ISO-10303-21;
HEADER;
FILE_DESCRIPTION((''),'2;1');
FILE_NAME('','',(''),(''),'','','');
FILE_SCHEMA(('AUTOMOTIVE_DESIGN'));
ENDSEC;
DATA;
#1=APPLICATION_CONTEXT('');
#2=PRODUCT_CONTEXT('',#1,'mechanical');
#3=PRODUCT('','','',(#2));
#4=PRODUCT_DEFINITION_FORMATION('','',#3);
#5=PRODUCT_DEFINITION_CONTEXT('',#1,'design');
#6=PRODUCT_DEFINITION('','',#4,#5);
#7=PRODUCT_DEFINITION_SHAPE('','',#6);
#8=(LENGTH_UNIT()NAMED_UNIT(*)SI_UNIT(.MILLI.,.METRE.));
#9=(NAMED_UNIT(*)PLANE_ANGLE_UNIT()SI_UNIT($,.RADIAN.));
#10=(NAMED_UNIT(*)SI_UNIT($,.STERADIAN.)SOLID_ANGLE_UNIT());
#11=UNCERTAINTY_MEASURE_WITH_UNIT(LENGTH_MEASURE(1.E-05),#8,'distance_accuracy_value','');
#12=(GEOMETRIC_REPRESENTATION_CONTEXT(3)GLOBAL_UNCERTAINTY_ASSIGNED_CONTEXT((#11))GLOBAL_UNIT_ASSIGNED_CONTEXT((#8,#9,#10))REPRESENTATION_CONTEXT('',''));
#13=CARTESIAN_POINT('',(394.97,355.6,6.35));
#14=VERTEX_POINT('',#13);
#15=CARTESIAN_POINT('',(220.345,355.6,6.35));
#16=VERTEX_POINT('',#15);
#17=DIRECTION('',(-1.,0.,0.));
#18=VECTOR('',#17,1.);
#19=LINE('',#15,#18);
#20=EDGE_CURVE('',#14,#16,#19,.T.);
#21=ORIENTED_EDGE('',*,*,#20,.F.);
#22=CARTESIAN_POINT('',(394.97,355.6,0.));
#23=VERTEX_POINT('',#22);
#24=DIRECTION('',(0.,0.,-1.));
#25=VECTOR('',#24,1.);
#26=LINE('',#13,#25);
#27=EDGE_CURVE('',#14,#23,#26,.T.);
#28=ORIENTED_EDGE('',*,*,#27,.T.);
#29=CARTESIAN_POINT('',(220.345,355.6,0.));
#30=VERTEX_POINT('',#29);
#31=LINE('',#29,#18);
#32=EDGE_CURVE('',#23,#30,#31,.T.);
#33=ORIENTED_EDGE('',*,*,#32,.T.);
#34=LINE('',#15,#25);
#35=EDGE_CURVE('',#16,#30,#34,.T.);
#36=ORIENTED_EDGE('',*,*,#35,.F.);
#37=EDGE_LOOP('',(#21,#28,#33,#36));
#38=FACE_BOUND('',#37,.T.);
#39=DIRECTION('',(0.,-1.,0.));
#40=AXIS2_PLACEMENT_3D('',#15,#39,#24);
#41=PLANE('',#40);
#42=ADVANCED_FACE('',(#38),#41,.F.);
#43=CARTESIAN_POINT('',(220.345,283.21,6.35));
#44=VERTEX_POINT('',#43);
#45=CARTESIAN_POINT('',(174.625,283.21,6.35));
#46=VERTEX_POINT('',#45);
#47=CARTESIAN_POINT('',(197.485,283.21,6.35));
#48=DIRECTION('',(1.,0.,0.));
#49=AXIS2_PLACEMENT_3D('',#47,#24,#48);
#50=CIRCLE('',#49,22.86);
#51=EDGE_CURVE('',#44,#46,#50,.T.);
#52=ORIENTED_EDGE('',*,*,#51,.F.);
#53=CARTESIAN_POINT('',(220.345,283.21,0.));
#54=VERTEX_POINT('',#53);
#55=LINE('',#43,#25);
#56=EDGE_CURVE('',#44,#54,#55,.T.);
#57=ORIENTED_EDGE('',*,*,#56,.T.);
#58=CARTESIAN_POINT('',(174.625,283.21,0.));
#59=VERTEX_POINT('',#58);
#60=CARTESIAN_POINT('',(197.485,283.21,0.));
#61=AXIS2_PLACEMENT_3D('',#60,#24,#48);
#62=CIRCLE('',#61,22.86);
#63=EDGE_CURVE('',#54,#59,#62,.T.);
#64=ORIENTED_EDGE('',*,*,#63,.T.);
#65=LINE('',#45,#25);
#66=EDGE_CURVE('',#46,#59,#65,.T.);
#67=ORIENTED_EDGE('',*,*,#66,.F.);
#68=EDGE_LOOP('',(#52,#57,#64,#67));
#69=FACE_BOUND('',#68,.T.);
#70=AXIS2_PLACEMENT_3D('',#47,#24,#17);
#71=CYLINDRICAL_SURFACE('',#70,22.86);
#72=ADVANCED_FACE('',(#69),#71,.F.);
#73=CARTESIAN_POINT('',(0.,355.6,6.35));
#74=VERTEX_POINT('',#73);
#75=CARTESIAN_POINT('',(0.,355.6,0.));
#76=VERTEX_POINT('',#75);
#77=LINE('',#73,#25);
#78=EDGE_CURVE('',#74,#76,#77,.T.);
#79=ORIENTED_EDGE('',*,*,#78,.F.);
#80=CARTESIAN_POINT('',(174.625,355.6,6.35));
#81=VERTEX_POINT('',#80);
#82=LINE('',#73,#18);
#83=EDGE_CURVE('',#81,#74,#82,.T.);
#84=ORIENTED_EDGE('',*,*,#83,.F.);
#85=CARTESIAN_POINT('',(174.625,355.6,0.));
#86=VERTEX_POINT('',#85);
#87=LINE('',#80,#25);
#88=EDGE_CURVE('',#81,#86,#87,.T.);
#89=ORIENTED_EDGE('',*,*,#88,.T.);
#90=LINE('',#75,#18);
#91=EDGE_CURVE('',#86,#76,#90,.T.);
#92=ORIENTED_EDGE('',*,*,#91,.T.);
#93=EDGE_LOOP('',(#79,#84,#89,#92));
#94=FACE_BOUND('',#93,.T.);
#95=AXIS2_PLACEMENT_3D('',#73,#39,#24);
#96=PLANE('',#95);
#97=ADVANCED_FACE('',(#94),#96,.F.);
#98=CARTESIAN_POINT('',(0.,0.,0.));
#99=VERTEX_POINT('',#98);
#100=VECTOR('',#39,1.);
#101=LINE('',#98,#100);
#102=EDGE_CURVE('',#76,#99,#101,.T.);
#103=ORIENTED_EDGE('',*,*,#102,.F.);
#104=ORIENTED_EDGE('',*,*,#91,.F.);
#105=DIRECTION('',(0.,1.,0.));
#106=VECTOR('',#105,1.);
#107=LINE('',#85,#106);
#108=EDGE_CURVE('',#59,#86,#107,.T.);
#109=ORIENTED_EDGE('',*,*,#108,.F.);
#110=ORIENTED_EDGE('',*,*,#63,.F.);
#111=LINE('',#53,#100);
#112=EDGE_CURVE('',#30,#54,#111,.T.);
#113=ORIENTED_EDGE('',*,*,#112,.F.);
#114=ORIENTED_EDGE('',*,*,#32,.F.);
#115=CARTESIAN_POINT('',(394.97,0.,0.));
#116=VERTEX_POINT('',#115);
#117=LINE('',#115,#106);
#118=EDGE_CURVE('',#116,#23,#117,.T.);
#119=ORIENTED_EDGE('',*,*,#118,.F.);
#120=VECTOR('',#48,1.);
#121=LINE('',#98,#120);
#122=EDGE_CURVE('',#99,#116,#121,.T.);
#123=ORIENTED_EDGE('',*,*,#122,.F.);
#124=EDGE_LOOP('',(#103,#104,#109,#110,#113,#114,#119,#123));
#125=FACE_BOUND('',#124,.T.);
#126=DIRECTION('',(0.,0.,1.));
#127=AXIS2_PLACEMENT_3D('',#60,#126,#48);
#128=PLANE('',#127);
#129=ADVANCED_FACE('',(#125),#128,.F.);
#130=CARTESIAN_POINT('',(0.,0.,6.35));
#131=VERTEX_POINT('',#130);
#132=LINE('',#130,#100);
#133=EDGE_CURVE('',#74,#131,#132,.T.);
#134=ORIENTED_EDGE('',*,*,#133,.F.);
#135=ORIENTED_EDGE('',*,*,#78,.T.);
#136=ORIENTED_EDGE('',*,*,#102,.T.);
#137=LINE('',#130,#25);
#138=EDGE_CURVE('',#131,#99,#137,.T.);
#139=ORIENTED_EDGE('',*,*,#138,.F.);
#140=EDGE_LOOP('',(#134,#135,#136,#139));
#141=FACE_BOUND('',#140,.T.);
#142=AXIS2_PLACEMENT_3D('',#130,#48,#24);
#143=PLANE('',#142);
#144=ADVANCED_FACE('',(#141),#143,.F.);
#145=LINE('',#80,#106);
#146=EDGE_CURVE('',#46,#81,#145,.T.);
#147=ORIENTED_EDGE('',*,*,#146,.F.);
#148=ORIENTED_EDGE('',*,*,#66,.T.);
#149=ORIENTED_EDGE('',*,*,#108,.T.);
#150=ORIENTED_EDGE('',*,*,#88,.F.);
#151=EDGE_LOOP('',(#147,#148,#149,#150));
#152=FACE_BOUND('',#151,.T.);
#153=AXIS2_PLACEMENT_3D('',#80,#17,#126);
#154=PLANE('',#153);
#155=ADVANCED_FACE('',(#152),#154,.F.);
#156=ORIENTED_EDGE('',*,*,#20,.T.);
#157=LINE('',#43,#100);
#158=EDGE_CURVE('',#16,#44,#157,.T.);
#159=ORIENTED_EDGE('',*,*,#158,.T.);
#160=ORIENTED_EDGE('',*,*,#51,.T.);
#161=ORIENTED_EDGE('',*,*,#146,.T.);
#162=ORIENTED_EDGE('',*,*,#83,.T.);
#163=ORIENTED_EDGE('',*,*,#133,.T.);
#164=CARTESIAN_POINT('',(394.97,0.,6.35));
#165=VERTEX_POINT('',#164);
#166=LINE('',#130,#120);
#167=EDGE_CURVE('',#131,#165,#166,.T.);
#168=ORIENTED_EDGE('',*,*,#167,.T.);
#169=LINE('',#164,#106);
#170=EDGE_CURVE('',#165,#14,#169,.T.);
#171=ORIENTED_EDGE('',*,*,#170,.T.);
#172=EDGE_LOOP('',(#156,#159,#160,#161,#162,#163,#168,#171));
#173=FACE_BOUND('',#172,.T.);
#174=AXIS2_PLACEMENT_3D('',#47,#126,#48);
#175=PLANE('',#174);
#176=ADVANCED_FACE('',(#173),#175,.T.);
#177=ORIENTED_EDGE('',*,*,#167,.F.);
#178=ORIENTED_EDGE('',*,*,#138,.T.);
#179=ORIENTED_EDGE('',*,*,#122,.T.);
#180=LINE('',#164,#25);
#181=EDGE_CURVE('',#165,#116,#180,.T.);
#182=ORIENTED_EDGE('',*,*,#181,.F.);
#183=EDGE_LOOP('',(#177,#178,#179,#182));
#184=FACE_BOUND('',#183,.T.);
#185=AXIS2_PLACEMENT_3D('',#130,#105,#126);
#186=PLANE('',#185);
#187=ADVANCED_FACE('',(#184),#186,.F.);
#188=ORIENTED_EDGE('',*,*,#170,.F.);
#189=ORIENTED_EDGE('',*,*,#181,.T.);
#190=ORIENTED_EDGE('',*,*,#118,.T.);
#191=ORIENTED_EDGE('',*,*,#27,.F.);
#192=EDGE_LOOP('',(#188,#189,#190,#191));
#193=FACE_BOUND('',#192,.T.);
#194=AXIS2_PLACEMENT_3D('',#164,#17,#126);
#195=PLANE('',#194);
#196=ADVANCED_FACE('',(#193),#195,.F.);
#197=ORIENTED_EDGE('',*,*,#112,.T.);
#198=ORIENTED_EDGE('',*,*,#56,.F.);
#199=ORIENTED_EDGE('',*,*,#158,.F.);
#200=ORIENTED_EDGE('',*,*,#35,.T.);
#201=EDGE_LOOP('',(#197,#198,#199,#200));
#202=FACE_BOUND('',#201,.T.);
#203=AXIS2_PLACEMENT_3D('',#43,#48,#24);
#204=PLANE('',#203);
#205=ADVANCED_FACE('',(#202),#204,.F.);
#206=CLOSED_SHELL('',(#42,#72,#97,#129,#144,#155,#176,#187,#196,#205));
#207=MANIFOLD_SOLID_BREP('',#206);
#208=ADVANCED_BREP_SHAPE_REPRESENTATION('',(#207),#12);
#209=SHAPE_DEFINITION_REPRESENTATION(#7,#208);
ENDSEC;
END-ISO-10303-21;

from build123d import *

# Parameters (mm, degrees)
BOSS_EXTRUDE1_DEPTH = 6.35


with BuildPart() as part:
    # Sketch1 → Boss-Extrude1 (new body)
    with BuildSketch(Plane.XY):
        with BuildLine():
            Line((174.625, 355.6), (174.625, 283.21))
            ThreePointArc((174.625, 283.21), (197.485, 260.35), (220.345, 283.21))
            Line((220.345, 283.21), (220.345, 355.6))
            Line((220.345, 355.6), (394.97, 355.6))
            Line((394.97, 355.6), (394.97, 0))
            Line((394.97, 0), (0, 0))
            Line((0, 0), (0, 355.6))
            Line((0, 355.6), (174.625, 355.6))
        make_face()
    extrude(amount=BOSS_EXTRUDE1_DEPTH)


solid = part.part
